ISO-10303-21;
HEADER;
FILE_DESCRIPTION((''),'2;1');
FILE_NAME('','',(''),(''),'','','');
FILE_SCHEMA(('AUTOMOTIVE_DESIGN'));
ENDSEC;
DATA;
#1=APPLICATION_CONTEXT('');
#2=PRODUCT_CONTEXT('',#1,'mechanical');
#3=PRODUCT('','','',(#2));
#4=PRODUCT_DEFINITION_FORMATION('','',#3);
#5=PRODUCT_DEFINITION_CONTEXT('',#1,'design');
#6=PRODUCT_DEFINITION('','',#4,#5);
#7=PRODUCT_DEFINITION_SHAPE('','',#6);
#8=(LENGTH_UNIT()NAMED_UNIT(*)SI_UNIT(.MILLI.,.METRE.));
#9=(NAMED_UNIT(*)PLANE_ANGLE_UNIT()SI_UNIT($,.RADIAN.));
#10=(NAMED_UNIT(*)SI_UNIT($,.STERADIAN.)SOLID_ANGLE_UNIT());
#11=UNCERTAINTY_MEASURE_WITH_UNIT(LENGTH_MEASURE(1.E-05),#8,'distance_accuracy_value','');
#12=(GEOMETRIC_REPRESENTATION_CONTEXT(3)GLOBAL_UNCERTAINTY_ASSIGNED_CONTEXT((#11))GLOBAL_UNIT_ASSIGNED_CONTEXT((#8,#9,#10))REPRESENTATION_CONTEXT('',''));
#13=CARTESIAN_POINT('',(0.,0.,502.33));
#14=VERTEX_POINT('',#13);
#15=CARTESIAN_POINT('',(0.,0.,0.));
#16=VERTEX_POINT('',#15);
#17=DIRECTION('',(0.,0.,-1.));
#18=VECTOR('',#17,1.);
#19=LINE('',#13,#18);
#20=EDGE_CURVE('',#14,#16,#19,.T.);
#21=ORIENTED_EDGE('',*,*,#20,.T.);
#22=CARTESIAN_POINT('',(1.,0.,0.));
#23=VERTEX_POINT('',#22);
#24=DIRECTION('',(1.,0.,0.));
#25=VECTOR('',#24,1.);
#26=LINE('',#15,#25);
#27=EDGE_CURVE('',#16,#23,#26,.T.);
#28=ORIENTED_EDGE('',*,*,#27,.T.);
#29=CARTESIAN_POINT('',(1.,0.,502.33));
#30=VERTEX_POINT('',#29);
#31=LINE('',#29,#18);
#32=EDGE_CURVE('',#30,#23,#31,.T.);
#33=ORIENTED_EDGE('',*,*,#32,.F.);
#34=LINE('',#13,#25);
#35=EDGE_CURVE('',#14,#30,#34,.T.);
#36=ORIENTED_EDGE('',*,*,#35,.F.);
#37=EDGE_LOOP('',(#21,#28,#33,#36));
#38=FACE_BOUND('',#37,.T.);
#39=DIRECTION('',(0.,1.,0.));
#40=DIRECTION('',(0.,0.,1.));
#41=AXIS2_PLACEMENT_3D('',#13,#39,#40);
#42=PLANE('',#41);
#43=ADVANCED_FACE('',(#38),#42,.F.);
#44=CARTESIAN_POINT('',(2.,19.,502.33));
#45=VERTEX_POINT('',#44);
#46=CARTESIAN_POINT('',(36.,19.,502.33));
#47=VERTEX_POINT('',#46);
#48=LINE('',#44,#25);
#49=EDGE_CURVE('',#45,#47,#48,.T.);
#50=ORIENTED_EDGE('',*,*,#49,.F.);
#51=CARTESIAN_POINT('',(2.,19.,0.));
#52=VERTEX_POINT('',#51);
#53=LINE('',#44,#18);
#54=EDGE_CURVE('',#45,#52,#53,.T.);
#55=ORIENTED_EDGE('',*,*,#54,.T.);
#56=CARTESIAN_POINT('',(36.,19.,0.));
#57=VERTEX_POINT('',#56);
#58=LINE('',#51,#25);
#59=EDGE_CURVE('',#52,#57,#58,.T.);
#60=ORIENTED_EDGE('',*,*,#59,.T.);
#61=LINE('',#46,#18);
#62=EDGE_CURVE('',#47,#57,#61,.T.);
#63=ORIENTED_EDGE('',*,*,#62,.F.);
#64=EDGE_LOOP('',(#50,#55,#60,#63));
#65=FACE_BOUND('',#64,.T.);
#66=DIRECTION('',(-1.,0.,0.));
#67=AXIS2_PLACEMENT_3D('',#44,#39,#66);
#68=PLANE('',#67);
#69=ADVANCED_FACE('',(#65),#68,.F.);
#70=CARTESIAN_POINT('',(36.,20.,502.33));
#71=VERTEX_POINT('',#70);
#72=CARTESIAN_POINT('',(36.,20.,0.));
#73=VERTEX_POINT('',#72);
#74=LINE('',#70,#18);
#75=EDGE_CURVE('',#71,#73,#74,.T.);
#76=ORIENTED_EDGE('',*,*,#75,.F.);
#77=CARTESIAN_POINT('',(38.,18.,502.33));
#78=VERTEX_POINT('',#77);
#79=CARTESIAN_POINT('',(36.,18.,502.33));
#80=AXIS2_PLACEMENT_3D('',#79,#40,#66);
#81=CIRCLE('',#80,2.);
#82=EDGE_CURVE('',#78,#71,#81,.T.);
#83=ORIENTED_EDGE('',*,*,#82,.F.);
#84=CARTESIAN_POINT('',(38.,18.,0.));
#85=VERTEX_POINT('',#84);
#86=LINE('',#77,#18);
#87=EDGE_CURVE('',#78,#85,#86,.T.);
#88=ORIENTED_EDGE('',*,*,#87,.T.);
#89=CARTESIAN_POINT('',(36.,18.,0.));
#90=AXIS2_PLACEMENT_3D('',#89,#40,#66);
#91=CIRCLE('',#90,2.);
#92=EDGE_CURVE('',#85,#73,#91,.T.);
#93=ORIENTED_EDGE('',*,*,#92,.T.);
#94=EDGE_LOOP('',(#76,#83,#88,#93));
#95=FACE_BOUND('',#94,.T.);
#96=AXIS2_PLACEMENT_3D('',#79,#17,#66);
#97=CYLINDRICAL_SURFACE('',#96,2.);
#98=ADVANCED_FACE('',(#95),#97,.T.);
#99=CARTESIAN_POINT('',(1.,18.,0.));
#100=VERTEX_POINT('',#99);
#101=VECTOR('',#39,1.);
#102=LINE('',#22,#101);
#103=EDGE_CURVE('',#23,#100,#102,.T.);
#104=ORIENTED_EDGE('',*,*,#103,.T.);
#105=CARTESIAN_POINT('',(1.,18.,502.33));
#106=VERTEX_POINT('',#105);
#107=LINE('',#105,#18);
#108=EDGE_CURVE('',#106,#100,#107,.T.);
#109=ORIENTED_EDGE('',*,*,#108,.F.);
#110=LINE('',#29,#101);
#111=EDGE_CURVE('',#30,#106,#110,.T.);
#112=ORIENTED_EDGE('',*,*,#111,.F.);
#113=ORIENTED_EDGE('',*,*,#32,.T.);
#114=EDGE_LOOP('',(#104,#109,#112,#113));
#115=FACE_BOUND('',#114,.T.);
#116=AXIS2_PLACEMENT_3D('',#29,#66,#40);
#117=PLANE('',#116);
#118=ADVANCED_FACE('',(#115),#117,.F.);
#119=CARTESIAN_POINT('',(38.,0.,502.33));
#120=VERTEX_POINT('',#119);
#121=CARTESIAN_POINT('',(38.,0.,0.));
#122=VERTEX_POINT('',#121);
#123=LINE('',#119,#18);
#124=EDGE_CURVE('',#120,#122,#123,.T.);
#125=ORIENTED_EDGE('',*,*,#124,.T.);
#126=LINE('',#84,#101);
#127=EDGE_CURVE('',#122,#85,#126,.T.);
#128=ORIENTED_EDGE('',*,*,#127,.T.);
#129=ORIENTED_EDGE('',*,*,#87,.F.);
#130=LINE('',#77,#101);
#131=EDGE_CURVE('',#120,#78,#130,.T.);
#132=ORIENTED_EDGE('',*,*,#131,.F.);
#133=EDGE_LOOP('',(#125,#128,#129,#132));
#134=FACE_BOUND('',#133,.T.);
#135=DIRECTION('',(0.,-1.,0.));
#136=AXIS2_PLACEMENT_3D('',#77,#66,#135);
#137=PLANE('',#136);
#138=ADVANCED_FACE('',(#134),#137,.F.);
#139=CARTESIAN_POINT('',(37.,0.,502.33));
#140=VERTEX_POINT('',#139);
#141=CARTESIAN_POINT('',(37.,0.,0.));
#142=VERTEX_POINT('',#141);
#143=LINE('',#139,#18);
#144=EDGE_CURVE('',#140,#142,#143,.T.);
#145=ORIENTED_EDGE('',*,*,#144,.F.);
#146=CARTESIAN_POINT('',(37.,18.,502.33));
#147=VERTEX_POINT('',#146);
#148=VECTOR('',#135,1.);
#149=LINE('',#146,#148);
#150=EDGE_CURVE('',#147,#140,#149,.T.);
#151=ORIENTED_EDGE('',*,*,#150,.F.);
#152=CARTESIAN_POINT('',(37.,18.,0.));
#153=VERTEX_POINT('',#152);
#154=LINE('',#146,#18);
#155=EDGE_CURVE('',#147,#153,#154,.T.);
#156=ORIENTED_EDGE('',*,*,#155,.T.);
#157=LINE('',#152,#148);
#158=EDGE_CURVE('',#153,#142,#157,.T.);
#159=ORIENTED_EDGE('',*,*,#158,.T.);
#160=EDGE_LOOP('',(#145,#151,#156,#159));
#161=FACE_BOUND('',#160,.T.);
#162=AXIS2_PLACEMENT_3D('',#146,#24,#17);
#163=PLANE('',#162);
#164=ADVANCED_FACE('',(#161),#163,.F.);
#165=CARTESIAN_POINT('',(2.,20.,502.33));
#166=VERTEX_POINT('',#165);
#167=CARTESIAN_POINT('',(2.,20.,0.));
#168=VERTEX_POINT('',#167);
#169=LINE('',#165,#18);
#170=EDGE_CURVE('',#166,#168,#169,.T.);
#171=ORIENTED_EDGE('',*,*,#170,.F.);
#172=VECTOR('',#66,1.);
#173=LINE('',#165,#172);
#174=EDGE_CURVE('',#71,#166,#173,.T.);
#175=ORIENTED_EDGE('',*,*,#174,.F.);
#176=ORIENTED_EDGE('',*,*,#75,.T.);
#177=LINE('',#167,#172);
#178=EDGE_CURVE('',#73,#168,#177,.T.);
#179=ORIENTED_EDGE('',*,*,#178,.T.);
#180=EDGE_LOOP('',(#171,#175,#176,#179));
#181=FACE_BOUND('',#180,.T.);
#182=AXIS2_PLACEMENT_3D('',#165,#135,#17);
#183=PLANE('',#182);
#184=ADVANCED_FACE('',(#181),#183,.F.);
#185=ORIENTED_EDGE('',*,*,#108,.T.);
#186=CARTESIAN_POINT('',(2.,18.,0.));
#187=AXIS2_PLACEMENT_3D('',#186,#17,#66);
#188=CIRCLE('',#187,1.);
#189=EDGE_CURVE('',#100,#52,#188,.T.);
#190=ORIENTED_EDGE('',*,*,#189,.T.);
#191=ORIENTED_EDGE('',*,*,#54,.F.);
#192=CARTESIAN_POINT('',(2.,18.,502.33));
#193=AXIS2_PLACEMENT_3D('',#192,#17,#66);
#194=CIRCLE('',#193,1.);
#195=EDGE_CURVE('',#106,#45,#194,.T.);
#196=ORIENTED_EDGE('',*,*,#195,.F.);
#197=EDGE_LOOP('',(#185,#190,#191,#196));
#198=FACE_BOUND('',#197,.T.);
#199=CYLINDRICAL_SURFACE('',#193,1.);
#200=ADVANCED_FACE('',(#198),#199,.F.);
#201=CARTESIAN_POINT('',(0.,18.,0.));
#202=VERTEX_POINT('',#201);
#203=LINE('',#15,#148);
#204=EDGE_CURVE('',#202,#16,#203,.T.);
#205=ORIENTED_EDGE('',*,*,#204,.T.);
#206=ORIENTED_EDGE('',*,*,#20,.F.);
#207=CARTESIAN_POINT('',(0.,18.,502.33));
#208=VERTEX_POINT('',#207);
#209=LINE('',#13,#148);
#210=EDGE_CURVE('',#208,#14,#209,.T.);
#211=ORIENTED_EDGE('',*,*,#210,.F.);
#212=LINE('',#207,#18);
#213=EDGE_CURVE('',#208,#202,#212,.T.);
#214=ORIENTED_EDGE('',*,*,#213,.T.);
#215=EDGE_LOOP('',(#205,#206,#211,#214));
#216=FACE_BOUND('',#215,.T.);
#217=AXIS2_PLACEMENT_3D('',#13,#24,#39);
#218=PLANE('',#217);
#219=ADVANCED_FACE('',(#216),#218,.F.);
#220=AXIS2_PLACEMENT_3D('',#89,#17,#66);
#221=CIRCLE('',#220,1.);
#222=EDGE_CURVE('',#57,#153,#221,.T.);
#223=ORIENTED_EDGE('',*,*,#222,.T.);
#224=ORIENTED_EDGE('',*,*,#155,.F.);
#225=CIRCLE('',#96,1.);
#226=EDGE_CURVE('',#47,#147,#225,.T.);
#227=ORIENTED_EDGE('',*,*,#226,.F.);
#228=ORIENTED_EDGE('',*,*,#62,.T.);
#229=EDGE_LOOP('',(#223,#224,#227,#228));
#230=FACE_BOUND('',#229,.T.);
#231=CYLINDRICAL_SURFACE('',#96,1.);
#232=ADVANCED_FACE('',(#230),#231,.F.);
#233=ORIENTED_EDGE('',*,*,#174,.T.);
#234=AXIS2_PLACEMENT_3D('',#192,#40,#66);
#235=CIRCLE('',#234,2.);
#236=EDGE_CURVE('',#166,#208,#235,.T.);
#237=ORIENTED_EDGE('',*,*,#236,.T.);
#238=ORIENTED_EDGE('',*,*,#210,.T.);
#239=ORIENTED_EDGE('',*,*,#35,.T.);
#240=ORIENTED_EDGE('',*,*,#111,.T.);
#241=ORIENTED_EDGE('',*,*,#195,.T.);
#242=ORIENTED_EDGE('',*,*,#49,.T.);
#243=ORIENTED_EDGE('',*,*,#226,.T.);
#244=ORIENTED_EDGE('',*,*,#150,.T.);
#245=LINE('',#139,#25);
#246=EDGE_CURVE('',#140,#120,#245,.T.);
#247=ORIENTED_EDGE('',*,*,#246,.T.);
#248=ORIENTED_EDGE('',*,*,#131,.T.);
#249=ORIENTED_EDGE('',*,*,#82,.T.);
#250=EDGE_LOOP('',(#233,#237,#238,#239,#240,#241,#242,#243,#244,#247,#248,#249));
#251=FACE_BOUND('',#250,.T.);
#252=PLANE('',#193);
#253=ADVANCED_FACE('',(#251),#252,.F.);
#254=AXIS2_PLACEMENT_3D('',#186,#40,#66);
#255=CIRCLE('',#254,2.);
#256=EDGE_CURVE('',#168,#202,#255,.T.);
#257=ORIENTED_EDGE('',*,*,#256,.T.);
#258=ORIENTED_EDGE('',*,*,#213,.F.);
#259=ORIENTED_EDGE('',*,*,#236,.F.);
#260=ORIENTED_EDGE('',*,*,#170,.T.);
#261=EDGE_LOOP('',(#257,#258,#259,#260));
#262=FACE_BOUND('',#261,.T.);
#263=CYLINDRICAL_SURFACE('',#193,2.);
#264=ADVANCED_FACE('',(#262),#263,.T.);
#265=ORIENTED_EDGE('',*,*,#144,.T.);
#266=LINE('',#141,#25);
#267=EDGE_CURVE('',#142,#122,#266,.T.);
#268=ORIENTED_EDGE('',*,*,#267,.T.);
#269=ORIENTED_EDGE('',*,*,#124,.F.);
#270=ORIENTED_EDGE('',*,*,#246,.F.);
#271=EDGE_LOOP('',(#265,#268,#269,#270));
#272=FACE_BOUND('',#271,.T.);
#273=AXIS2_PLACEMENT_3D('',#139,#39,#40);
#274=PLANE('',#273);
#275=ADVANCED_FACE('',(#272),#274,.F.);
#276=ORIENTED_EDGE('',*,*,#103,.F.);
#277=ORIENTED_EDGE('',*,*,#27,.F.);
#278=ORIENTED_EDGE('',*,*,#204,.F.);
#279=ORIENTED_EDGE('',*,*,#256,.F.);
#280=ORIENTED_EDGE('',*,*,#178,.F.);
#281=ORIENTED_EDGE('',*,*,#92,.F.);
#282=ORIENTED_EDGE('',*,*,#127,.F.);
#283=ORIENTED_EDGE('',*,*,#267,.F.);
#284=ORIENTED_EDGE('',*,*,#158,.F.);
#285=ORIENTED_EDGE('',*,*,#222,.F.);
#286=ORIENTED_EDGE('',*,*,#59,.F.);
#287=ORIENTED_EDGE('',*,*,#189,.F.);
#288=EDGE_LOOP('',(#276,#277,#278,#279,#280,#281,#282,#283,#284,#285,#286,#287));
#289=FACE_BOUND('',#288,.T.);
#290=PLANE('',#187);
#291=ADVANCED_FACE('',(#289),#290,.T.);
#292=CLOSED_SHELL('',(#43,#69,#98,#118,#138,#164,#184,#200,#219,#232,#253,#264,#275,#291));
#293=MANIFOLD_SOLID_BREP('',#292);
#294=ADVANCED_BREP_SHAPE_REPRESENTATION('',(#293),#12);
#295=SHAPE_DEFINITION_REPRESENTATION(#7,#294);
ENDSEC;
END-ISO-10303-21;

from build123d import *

# Parameters (mm, degrees)
BOSS_EXTRUDE1_DEPTH = 502.33


with BuildPart() as part:
    # Sketch1 → Boss-Extrude1 (new body)
    with BuildSketch(Plane.XY):
        with BuildLine():
            Line((0, 0), (0, 18))
            ThreePointArc((0, 18), (0.585786438, 19.414213562), (2, 20))
            Line((2, 20), (36, 20))
            ThreePointArc((36, 20), (37.414213562, 19.414213562), (38, 18))
            Line((38, 18), (38, 0))
            Line((38, 0), (37, 0))
            Line((37, 0), (37, 18))
            ThreePointArc((37, 18), (36.707106781, 18.707106781), (36, 19))
            Line((36, 19), (2, 19))
            ThreePointArc((2, 19), (1.292893219, 18.707106781), (1, 18))
            Line((1, 18), (1, 0))
            Line((1, 0), (0, 0))
        make_face()
    extrude(amount=BOSS_EXTRUDE1_DEPTH)


solid = part.part
